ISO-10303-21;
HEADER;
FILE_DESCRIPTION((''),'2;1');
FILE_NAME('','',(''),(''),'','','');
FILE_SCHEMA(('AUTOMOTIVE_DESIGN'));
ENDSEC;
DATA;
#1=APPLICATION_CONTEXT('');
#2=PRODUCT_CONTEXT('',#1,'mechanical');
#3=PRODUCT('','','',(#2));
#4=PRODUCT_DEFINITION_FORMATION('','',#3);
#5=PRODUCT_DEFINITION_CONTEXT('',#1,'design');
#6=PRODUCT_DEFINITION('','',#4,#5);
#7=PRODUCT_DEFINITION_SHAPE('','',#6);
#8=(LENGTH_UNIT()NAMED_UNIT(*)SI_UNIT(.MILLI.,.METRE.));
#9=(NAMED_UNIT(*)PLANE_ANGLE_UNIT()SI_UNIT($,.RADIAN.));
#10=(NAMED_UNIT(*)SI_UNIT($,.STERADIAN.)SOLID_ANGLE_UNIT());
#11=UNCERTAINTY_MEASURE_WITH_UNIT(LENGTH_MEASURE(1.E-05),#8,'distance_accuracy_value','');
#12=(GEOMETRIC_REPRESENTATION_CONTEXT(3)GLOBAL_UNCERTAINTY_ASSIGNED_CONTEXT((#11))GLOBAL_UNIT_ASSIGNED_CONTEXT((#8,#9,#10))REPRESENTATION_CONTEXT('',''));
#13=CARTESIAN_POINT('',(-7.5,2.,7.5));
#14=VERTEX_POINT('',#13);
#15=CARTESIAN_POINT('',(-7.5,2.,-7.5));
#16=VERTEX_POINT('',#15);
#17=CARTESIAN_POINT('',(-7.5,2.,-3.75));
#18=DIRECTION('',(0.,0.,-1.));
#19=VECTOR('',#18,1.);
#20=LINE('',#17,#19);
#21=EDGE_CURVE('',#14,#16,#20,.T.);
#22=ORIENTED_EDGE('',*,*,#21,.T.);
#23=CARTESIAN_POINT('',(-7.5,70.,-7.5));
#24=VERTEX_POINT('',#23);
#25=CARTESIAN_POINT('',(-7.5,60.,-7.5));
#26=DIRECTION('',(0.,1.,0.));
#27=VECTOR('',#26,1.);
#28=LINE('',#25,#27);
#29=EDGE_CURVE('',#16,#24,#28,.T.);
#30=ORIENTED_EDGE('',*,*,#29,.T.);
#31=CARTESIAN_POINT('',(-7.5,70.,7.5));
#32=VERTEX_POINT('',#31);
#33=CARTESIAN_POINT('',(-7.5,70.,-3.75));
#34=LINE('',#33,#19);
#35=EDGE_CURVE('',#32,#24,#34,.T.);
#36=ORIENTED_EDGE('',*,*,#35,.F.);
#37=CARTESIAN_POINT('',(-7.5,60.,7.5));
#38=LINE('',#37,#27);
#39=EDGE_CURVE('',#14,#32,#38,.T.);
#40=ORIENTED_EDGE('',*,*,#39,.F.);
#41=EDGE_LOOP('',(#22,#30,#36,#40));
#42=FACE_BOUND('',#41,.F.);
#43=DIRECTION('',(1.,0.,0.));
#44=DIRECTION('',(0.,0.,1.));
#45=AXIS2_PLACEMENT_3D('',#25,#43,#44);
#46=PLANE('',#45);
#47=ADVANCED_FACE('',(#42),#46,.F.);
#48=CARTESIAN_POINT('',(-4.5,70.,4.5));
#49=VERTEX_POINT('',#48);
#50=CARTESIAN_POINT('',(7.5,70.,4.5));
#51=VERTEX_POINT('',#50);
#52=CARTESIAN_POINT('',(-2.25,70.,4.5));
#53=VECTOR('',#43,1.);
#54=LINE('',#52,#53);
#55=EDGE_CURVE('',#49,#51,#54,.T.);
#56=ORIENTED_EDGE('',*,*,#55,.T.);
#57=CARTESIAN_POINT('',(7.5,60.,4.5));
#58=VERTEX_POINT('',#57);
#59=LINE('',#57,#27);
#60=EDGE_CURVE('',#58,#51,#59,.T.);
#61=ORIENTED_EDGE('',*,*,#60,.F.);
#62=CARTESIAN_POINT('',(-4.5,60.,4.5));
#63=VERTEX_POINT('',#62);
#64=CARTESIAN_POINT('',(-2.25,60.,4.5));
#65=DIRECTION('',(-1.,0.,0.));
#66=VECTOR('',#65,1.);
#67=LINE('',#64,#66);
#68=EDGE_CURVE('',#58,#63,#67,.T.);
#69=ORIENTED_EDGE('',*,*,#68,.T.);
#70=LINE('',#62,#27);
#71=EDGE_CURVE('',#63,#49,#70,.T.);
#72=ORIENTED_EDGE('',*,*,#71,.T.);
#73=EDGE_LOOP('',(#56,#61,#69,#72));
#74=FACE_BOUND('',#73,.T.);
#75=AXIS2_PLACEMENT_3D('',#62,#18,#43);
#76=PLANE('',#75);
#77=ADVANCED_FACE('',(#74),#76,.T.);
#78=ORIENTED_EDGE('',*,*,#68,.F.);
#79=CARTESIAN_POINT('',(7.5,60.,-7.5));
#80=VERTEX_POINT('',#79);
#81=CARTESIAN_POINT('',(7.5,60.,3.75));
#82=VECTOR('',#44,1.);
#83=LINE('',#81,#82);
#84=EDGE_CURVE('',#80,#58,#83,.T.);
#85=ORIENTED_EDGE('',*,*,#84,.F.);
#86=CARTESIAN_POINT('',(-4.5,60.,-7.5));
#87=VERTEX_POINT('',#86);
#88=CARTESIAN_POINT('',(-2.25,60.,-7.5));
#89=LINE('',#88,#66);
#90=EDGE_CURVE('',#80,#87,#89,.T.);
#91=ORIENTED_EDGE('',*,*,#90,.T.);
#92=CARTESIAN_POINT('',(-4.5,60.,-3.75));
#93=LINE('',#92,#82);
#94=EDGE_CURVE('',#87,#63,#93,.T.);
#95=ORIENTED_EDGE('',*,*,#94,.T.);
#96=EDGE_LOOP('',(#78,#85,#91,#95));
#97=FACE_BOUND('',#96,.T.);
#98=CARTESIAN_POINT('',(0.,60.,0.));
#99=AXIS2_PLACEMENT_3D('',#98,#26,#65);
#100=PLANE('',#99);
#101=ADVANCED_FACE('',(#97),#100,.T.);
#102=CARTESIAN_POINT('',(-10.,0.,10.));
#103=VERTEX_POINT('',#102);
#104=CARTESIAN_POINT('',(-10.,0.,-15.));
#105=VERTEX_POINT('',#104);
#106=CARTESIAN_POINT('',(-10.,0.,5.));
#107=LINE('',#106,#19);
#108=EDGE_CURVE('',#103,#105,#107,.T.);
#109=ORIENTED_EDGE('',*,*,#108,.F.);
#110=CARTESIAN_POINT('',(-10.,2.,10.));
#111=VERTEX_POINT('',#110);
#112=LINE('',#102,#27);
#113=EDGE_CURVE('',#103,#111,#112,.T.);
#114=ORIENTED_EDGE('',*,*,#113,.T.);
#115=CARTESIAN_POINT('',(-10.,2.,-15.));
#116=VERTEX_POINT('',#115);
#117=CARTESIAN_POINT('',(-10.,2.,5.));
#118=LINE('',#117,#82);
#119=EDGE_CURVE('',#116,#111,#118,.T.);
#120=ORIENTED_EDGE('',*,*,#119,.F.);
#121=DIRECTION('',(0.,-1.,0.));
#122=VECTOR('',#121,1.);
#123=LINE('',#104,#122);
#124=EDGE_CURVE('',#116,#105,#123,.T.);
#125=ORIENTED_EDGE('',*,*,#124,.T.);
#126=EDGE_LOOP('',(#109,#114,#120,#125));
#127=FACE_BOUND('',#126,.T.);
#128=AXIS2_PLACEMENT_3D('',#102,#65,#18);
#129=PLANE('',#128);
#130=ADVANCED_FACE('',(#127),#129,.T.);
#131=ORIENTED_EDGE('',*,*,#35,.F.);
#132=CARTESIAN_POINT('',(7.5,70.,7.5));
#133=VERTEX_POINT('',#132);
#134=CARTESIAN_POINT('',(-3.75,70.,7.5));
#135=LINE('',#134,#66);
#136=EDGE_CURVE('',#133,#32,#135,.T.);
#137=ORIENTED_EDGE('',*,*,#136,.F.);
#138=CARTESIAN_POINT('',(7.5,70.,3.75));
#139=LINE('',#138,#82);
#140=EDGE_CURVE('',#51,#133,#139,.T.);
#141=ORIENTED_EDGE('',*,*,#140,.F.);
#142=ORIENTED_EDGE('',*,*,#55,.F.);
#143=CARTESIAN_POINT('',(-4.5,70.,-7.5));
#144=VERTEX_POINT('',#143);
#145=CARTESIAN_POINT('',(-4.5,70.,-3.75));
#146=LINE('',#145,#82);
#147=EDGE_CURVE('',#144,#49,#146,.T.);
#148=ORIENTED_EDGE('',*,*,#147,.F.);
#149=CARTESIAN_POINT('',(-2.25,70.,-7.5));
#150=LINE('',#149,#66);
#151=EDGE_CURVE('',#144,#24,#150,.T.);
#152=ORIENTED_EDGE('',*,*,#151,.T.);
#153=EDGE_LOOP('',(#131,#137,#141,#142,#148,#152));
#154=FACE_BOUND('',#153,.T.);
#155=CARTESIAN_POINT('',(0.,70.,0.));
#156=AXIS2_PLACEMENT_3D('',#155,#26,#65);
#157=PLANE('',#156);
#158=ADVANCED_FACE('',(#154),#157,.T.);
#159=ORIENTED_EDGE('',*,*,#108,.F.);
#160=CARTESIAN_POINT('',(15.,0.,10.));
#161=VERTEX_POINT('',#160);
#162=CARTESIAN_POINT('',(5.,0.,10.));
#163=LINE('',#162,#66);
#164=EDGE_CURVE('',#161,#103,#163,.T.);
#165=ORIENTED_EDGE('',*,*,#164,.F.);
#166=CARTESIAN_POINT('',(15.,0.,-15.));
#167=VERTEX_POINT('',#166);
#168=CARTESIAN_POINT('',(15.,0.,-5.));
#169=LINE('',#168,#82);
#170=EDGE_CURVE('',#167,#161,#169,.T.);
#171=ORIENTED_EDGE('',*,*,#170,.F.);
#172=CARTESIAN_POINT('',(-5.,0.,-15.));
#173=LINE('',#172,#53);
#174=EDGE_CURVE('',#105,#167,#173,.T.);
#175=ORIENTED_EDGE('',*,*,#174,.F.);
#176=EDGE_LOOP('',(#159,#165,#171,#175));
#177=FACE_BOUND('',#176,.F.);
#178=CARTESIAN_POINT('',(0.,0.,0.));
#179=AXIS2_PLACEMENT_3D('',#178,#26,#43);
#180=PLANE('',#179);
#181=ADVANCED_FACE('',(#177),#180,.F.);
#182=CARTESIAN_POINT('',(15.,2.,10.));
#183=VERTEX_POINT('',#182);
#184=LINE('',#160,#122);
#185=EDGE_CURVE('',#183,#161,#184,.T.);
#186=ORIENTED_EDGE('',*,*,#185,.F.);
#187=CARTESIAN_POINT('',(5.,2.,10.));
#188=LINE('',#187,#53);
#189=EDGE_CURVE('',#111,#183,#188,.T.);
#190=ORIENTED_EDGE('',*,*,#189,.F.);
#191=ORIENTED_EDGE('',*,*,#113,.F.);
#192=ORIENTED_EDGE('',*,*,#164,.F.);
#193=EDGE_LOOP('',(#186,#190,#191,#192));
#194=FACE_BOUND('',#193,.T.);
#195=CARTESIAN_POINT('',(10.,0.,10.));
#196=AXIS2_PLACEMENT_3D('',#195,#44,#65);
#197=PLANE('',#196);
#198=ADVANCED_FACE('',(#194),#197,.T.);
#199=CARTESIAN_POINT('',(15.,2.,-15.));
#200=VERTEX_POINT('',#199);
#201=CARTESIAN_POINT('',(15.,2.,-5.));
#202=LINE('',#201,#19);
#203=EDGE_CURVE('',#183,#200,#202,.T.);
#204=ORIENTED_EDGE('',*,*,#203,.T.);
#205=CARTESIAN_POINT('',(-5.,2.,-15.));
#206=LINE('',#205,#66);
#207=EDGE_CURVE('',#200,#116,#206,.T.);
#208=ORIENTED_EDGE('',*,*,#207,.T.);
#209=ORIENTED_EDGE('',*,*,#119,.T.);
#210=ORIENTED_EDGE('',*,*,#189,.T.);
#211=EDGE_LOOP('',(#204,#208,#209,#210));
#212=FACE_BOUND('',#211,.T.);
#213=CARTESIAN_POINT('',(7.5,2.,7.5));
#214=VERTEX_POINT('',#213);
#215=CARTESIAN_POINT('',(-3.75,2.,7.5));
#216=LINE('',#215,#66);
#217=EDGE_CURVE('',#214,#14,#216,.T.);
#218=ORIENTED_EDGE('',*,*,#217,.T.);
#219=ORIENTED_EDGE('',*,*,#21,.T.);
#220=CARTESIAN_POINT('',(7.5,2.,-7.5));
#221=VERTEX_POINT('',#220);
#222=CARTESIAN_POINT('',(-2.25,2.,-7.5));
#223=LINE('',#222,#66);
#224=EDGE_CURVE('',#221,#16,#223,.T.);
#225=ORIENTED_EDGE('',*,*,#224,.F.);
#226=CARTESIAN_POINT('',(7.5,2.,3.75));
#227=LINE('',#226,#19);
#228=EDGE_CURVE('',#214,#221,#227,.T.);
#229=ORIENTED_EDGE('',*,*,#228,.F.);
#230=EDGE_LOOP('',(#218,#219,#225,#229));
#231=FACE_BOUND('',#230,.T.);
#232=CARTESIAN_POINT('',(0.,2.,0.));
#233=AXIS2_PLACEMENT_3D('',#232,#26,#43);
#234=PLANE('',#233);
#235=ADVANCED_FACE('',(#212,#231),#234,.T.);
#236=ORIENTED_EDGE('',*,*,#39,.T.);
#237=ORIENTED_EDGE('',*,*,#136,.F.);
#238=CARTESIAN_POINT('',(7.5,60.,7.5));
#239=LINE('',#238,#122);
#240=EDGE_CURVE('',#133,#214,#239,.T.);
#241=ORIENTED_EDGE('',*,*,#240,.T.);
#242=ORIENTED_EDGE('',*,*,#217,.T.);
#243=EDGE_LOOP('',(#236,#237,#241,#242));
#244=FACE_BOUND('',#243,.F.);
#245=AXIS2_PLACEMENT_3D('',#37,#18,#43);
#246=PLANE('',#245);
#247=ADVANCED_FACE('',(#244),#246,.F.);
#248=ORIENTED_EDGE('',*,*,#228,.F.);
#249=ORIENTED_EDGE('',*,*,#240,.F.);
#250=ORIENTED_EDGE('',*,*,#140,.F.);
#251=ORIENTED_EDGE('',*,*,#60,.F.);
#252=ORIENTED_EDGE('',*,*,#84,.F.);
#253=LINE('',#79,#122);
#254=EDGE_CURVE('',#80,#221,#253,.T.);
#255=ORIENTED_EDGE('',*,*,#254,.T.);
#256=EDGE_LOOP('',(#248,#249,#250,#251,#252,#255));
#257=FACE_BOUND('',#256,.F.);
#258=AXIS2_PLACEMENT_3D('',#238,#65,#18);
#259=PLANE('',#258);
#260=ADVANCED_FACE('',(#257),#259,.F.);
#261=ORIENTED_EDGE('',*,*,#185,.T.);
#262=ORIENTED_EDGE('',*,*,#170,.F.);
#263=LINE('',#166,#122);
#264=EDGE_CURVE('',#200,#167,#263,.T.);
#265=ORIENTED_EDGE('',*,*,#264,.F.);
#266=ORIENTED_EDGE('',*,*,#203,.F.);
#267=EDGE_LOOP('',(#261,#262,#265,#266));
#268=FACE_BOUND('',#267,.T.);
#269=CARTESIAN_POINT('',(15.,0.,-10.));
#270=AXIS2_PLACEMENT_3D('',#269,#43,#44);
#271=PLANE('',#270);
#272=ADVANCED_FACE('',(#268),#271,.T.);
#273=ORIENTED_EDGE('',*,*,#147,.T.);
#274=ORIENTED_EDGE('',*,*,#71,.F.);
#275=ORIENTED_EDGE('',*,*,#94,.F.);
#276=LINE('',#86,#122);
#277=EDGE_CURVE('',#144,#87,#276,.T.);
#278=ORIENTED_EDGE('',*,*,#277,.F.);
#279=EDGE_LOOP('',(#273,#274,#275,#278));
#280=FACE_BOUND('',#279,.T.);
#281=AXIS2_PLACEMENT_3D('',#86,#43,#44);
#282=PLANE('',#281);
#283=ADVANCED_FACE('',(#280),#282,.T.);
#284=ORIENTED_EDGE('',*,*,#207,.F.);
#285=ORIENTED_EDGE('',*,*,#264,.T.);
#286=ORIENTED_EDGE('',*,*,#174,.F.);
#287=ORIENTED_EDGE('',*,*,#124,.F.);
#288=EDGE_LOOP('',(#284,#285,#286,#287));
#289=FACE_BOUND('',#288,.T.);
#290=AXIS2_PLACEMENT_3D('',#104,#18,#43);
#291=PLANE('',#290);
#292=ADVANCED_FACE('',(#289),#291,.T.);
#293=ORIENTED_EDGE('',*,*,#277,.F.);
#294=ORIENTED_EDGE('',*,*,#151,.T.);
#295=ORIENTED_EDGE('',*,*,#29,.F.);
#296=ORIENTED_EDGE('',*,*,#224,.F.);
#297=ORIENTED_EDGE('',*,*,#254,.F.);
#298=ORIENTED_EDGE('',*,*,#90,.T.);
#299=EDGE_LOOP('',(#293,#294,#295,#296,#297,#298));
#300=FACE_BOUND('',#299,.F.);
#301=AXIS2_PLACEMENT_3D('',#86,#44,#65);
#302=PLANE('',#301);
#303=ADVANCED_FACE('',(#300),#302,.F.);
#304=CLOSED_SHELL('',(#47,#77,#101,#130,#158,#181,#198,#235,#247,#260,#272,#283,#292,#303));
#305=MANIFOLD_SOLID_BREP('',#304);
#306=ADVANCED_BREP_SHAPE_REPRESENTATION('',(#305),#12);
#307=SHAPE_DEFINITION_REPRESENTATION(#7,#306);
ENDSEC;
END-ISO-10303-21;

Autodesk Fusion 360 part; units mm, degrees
sketch "スケッチ1" plane through (0, 0, 0) normal (0, 1, 0) x (1, 0, 0)
  line L0 (10, -10) -> (-10, -10)
  line L1 (-10, -10) -> (-10, 10)
  line L2 (-10, 10) -> (10, 10)
  line L3 (10, 10) -> (10, -10)
  line L4 (10, -10) -> (-10, 10) construction
  line L5 (-10, -10) -> (10, 10) construction
  dimension "d1" = 20
  dimension "d2" = 20
extrude "押し出し1" add sketch "スケッチ1" along normal blind 2
sketch "スケッチ2" plane through (0, 2, 0) normal (0, 1, 0) x (-1, 0, 0)
  line L0 (-10, -10) -> (10, -10)
  line L1 (10, -10) -> (10, 10)
  line L2 (10, 10) -> (-10, 10)
  line L3 (-10, 10) -> (-10, -10)
  line L4 (-7.5, 7.5) -> (7.5, 7.5)
  line L5 (7.5, 7.5) -> (7.5, -7.5)
  line L6 (7.5, -7.5) -> (-7.5, -7.5)
  line L7 (-7.5, -7.5) -> (-7.5, 7.5)
  line L8 (-7.5, 7.5) -> (7.5, -7.5) construction
  line L9 (7.5, 7.5) -> (-7.5, -7.5) construction
  dimension "d5" = 15
  dimension "d6" = 15
extrude "押し出し2" add sketch "スケッチ2" along normal blind 58 contours L4 L5 L6 L7
sketch "スケッチ3" plane through (0, 60, 0) normal (0, 1, 0) x (-1, 0, 0)
  line L0 (-7.5, -7.5) -> (7.5, -7.5)
  line L1 (7.5, -7.5) -> (7.5, 7.5)
  line L2 (7.5, 7.5) -> (-7.5, 7.5)
  line L3 (-7.5, 7.5) -> (-7.5, -7.5)
  line L4 (4.5, -7.5) -> (4.5, 4.5)
  line L5 (4.5, 4.5) -> (-7.5, 4.5)
  dimension "d9" = 3
  dimension "d10" = 3
extrude "押し出し3" add sketch "スケッチ3" along normal blind 10 contours L0 L1 L2 L3 L4 L5
move_face "面をオフセット1" offset 5 1 faces at (10, 0.6667, -3.3333)
move_face "面をオフセット2" offset 5 1 faces at (6.6667, 1.3333, -10)
